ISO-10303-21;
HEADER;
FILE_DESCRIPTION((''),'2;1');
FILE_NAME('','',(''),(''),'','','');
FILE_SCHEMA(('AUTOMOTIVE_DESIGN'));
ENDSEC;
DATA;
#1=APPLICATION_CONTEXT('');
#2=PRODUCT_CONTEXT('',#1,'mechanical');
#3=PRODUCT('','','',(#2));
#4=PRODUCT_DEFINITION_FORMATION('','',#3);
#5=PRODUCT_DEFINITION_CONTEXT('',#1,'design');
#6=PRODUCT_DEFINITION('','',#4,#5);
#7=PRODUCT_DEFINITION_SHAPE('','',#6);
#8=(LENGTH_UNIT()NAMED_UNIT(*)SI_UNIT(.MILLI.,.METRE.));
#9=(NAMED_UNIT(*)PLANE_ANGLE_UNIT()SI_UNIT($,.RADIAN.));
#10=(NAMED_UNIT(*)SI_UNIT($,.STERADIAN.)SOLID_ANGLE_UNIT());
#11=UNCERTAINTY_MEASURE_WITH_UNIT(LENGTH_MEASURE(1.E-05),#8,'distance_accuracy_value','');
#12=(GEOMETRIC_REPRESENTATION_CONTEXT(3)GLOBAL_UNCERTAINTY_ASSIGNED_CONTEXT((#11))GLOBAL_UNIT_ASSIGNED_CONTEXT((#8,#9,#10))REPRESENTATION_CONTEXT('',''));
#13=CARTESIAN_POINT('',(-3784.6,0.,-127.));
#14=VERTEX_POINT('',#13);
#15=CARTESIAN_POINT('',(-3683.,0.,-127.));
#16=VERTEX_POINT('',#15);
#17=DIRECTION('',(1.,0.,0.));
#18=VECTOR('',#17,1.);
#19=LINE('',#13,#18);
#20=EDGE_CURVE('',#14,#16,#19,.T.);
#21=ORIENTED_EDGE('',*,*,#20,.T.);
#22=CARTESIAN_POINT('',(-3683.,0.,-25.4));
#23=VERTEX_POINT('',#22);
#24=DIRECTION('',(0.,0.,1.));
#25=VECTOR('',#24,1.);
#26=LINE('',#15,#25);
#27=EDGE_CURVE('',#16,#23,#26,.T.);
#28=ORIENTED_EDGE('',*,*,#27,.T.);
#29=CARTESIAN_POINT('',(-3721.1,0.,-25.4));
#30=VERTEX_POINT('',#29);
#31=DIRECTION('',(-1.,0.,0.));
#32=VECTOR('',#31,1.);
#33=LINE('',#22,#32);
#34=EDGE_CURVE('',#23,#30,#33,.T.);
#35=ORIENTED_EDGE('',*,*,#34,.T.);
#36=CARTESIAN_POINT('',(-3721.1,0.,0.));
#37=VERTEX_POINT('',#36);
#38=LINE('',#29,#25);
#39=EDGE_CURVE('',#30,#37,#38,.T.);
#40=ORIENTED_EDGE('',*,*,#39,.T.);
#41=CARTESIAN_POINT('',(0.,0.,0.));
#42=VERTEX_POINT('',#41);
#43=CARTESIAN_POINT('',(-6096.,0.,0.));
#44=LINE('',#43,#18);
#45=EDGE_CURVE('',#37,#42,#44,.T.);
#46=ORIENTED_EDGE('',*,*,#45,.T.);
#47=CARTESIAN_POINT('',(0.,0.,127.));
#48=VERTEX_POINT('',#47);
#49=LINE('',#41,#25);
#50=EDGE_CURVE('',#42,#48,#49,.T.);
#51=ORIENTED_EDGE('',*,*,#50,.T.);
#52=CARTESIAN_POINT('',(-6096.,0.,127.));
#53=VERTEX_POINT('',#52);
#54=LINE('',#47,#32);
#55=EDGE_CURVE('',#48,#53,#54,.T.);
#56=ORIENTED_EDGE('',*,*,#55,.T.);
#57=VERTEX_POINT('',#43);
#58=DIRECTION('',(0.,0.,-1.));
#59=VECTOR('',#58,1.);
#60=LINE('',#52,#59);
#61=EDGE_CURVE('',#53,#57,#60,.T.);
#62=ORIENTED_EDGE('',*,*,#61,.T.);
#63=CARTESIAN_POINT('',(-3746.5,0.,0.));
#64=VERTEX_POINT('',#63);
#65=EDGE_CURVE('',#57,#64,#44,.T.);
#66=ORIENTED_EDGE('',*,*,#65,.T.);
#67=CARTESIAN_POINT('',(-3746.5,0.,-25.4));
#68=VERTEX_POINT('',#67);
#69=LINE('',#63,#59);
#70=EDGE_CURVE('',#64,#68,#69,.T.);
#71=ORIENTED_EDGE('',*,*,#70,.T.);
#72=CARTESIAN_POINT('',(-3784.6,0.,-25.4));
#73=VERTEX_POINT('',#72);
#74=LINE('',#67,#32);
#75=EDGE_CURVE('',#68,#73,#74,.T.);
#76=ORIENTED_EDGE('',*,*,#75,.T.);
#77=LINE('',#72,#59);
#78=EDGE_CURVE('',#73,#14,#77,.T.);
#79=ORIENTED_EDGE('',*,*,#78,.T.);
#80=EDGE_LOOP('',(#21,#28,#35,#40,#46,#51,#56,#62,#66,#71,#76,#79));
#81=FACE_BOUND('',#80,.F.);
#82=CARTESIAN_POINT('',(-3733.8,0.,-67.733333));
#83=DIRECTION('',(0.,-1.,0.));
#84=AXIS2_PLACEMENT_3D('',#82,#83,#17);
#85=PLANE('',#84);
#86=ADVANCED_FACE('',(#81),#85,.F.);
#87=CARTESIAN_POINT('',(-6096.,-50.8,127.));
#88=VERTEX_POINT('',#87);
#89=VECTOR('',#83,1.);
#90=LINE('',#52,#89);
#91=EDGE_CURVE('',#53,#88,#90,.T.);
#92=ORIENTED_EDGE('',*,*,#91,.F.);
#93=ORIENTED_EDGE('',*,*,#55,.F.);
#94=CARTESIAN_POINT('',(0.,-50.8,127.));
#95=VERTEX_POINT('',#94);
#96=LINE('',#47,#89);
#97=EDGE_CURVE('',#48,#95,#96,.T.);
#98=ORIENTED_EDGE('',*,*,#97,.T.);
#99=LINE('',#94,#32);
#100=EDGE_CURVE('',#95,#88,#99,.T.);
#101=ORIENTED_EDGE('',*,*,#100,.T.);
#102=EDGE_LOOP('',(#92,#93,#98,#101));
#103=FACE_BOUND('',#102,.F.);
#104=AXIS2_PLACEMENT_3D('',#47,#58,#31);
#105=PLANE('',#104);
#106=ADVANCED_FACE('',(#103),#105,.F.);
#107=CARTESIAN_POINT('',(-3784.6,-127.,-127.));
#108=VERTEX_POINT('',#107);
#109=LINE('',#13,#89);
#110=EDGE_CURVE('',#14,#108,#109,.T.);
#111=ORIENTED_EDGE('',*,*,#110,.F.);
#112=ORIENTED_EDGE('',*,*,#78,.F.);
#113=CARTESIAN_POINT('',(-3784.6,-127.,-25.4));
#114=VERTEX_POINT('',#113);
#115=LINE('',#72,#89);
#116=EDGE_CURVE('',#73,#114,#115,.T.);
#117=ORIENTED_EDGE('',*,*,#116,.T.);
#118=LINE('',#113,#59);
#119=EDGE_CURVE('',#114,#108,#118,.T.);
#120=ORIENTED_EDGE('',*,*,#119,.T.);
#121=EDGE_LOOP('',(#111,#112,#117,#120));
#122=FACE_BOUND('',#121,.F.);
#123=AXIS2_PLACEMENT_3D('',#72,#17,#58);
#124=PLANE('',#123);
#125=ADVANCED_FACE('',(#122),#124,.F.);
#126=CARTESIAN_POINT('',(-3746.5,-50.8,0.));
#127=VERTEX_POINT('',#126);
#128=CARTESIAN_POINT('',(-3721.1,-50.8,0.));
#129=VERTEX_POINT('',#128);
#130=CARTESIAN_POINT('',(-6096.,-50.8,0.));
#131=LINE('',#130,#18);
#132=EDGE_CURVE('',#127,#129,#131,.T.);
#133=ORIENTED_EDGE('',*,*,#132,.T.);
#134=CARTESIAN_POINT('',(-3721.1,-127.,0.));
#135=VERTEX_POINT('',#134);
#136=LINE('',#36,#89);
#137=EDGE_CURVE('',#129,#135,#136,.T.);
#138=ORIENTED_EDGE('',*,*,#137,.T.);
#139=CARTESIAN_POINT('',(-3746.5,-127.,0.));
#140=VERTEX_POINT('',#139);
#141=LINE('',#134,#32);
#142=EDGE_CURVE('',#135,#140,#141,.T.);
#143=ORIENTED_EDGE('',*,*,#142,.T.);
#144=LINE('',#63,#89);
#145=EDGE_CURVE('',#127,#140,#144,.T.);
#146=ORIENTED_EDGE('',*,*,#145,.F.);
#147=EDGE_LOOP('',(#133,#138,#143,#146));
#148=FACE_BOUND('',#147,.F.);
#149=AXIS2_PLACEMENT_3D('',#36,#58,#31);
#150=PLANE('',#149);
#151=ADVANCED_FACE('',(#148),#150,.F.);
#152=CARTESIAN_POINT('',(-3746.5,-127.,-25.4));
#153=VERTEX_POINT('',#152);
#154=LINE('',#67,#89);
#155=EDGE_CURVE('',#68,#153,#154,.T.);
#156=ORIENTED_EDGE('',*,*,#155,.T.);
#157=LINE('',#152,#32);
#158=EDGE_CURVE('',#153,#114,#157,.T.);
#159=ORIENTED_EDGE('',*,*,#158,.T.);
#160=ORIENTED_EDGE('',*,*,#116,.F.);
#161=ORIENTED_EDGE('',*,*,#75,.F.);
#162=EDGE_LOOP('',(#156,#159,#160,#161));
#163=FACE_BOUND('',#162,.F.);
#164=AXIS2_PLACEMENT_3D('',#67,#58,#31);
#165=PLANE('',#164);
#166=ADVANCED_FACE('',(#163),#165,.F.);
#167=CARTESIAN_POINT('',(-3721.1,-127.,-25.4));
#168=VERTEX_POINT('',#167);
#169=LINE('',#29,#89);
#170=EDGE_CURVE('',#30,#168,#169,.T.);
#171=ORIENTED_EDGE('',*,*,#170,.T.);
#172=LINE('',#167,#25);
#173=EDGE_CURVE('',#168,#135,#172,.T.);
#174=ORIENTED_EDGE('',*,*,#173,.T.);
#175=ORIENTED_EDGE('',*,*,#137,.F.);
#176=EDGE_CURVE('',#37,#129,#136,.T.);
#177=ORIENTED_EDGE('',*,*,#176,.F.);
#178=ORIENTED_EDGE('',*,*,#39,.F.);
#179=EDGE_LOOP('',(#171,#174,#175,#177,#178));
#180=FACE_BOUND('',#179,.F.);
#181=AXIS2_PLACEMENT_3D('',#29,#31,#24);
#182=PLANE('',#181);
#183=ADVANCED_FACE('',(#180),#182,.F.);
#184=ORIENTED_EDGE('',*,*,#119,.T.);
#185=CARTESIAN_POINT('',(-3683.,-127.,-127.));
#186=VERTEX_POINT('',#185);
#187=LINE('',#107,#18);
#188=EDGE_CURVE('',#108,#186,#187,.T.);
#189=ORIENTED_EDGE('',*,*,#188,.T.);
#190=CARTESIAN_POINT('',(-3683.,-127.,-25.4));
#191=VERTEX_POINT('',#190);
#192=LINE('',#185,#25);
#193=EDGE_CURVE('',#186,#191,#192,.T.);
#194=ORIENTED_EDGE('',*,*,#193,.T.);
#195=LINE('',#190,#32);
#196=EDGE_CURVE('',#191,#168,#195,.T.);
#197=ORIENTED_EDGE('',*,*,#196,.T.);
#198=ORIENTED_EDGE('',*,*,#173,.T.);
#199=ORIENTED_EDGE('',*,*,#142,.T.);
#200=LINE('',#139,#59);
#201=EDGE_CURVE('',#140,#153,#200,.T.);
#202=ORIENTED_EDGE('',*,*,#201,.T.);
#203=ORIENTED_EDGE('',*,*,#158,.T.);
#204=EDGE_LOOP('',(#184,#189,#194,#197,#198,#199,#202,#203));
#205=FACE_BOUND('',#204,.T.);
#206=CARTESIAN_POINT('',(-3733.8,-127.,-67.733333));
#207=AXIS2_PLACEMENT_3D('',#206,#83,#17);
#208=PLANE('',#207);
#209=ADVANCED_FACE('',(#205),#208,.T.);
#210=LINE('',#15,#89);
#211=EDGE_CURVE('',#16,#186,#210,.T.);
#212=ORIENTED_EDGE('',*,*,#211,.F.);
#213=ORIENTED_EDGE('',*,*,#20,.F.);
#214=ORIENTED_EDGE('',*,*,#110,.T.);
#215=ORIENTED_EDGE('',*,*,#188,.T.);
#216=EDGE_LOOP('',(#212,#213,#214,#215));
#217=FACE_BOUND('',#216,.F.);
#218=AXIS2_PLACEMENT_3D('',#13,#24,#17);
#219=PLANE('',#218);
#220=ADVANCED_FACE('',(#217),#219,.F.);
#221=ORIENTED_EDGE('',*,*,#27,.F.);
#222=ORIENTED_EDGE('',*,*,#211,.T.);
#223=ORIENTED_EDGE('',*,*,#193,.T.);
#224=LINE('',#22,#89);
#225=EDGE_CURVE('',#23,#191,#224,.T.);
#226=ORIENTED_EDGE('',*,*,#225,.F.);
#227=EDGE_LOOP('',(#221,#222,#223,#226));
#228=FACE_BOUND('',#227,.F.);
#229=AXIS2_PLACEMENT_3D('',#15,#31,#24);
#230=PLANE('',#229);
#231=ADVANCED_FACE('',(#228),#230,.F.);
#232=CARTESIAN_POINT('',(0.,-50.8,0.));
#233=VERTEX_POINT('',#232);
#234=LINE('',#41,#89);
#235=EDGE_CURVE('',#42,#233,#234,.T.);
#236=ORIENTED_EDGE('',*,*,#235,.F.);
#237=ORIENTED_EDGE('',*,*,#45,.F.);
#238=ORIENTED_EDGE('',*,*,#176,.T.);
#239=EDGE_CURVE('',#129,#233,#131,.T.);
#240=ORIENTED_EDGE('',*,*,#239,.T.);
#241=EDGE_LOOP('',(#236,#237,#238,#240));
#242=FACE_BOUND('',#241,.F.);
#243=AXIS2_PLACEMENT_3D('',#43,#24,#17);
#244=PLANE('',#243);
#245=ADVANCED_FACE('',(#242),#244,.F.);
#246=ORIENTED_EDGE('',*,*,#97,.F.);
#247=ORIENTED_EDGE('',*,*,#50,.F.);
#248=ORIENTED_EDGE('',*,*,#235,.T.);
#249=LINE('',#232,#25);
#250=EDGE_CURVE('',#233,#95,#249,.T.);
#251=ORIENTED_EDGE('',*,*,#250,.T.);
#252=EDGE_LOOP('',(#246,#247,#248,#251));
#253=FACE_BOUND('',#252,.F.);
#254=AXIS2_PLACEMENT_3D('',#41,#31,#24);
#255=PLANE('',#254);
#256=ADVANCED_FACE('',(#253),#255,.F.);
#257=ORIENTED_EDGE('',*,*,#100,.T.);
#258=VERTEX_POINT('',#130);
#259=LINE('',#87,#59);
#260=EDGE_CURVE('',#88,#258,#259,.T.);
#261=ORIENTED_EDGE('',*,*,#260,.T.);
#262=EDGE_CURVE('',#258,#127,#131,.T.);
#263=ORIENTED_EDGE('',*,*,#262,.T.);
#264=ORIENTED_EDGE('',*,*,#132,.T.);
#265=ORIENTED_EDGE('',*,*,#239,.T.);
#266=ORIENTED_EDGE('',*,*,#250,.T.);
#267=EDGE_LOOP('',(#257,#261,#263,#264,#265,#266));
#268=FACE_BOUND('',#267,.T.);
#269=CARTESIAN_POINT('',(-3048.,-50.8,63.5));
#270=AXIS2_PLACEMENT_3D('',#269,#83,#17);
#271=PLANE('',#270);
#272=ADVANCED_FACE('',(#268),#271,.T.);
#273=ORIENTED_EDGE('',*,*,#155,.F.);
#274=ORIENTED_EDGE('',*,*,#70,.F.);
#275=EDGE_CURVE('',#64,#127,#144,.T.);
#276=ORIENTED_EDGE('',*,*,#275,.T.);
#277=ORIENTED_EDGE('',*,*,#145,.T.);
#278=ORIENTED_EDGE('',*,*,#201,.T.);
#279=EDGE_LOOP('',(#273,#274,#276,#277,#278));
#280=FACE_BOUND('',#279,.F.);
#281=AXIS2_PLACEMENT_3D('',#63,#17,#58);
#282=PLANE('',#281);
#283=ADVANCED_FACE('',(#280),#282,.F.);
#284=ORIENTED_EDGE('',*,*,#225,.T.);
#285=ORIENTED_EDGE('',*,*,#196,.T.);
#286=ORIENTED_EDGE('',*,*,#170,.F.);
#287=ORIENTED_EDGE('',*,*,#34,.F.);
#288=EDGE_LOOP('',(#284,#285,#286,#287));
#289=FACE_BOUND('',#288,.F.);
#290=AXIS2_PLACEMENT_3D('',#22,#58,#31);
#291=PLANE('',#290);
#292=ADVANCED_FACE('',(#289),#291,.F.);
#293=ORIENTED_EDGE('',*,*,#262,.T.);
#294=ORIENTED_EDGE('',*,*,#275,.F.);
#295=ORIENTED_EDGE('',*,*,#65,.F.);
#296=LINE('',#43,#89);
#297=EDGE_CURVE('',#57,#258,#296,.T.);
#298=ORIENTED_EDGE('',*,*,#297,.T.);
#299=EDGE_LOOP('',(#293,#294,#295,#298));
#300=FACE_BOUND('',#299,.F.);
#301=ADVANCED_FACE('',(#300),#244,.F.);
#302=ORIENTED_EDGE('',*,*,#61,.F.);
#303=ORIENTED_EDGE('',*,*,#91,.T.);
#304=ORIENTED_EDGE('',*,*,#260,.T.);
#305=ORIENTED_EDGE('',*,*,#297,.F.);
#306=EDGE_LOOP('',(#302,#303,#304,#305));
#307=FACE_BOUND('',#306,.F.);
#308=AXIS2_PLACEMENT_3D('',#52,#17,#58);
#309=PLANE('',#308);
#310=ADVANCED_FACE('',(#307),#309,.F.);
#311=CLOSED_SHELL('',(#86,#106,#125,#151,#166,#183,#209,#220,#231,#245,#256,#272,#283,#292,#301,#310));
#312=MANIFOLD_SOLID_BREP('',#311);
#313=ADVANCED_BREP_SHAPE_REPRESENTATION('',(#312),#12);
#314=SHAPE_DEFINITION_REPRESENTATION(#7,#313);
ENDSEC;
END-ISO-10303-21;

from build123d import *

# Parameters (mm, degrees)
F1_DEPTH = 50.8
F2_DEPTH = 127


with BuildPart() as f1:
    # F0 (on Front) → F1 (new body)
    with BuildSketch(Plane.XZ):
        Polygon((-3721.1, 0), (0, 0), (0, 127), (-6096, 127), (-6096, 0), (-3746.5, 0), align=None)
    extrude(amount=F1_DEPTH)

    # F0 (on Front) → F2 (join)
    with BuildSketch(Plane.XZ):
        Polygon((-3721.1, -25.4), (-3721.1, 0), (-3746.5, 0), (-3746.5, -25.4), (-3784.6, -25.4), (-3784.6, -127), (-3683, -127), (-3683, -25.4), align=None)
    extrude(amount=F2_DEPTH)


solid = f1.part
